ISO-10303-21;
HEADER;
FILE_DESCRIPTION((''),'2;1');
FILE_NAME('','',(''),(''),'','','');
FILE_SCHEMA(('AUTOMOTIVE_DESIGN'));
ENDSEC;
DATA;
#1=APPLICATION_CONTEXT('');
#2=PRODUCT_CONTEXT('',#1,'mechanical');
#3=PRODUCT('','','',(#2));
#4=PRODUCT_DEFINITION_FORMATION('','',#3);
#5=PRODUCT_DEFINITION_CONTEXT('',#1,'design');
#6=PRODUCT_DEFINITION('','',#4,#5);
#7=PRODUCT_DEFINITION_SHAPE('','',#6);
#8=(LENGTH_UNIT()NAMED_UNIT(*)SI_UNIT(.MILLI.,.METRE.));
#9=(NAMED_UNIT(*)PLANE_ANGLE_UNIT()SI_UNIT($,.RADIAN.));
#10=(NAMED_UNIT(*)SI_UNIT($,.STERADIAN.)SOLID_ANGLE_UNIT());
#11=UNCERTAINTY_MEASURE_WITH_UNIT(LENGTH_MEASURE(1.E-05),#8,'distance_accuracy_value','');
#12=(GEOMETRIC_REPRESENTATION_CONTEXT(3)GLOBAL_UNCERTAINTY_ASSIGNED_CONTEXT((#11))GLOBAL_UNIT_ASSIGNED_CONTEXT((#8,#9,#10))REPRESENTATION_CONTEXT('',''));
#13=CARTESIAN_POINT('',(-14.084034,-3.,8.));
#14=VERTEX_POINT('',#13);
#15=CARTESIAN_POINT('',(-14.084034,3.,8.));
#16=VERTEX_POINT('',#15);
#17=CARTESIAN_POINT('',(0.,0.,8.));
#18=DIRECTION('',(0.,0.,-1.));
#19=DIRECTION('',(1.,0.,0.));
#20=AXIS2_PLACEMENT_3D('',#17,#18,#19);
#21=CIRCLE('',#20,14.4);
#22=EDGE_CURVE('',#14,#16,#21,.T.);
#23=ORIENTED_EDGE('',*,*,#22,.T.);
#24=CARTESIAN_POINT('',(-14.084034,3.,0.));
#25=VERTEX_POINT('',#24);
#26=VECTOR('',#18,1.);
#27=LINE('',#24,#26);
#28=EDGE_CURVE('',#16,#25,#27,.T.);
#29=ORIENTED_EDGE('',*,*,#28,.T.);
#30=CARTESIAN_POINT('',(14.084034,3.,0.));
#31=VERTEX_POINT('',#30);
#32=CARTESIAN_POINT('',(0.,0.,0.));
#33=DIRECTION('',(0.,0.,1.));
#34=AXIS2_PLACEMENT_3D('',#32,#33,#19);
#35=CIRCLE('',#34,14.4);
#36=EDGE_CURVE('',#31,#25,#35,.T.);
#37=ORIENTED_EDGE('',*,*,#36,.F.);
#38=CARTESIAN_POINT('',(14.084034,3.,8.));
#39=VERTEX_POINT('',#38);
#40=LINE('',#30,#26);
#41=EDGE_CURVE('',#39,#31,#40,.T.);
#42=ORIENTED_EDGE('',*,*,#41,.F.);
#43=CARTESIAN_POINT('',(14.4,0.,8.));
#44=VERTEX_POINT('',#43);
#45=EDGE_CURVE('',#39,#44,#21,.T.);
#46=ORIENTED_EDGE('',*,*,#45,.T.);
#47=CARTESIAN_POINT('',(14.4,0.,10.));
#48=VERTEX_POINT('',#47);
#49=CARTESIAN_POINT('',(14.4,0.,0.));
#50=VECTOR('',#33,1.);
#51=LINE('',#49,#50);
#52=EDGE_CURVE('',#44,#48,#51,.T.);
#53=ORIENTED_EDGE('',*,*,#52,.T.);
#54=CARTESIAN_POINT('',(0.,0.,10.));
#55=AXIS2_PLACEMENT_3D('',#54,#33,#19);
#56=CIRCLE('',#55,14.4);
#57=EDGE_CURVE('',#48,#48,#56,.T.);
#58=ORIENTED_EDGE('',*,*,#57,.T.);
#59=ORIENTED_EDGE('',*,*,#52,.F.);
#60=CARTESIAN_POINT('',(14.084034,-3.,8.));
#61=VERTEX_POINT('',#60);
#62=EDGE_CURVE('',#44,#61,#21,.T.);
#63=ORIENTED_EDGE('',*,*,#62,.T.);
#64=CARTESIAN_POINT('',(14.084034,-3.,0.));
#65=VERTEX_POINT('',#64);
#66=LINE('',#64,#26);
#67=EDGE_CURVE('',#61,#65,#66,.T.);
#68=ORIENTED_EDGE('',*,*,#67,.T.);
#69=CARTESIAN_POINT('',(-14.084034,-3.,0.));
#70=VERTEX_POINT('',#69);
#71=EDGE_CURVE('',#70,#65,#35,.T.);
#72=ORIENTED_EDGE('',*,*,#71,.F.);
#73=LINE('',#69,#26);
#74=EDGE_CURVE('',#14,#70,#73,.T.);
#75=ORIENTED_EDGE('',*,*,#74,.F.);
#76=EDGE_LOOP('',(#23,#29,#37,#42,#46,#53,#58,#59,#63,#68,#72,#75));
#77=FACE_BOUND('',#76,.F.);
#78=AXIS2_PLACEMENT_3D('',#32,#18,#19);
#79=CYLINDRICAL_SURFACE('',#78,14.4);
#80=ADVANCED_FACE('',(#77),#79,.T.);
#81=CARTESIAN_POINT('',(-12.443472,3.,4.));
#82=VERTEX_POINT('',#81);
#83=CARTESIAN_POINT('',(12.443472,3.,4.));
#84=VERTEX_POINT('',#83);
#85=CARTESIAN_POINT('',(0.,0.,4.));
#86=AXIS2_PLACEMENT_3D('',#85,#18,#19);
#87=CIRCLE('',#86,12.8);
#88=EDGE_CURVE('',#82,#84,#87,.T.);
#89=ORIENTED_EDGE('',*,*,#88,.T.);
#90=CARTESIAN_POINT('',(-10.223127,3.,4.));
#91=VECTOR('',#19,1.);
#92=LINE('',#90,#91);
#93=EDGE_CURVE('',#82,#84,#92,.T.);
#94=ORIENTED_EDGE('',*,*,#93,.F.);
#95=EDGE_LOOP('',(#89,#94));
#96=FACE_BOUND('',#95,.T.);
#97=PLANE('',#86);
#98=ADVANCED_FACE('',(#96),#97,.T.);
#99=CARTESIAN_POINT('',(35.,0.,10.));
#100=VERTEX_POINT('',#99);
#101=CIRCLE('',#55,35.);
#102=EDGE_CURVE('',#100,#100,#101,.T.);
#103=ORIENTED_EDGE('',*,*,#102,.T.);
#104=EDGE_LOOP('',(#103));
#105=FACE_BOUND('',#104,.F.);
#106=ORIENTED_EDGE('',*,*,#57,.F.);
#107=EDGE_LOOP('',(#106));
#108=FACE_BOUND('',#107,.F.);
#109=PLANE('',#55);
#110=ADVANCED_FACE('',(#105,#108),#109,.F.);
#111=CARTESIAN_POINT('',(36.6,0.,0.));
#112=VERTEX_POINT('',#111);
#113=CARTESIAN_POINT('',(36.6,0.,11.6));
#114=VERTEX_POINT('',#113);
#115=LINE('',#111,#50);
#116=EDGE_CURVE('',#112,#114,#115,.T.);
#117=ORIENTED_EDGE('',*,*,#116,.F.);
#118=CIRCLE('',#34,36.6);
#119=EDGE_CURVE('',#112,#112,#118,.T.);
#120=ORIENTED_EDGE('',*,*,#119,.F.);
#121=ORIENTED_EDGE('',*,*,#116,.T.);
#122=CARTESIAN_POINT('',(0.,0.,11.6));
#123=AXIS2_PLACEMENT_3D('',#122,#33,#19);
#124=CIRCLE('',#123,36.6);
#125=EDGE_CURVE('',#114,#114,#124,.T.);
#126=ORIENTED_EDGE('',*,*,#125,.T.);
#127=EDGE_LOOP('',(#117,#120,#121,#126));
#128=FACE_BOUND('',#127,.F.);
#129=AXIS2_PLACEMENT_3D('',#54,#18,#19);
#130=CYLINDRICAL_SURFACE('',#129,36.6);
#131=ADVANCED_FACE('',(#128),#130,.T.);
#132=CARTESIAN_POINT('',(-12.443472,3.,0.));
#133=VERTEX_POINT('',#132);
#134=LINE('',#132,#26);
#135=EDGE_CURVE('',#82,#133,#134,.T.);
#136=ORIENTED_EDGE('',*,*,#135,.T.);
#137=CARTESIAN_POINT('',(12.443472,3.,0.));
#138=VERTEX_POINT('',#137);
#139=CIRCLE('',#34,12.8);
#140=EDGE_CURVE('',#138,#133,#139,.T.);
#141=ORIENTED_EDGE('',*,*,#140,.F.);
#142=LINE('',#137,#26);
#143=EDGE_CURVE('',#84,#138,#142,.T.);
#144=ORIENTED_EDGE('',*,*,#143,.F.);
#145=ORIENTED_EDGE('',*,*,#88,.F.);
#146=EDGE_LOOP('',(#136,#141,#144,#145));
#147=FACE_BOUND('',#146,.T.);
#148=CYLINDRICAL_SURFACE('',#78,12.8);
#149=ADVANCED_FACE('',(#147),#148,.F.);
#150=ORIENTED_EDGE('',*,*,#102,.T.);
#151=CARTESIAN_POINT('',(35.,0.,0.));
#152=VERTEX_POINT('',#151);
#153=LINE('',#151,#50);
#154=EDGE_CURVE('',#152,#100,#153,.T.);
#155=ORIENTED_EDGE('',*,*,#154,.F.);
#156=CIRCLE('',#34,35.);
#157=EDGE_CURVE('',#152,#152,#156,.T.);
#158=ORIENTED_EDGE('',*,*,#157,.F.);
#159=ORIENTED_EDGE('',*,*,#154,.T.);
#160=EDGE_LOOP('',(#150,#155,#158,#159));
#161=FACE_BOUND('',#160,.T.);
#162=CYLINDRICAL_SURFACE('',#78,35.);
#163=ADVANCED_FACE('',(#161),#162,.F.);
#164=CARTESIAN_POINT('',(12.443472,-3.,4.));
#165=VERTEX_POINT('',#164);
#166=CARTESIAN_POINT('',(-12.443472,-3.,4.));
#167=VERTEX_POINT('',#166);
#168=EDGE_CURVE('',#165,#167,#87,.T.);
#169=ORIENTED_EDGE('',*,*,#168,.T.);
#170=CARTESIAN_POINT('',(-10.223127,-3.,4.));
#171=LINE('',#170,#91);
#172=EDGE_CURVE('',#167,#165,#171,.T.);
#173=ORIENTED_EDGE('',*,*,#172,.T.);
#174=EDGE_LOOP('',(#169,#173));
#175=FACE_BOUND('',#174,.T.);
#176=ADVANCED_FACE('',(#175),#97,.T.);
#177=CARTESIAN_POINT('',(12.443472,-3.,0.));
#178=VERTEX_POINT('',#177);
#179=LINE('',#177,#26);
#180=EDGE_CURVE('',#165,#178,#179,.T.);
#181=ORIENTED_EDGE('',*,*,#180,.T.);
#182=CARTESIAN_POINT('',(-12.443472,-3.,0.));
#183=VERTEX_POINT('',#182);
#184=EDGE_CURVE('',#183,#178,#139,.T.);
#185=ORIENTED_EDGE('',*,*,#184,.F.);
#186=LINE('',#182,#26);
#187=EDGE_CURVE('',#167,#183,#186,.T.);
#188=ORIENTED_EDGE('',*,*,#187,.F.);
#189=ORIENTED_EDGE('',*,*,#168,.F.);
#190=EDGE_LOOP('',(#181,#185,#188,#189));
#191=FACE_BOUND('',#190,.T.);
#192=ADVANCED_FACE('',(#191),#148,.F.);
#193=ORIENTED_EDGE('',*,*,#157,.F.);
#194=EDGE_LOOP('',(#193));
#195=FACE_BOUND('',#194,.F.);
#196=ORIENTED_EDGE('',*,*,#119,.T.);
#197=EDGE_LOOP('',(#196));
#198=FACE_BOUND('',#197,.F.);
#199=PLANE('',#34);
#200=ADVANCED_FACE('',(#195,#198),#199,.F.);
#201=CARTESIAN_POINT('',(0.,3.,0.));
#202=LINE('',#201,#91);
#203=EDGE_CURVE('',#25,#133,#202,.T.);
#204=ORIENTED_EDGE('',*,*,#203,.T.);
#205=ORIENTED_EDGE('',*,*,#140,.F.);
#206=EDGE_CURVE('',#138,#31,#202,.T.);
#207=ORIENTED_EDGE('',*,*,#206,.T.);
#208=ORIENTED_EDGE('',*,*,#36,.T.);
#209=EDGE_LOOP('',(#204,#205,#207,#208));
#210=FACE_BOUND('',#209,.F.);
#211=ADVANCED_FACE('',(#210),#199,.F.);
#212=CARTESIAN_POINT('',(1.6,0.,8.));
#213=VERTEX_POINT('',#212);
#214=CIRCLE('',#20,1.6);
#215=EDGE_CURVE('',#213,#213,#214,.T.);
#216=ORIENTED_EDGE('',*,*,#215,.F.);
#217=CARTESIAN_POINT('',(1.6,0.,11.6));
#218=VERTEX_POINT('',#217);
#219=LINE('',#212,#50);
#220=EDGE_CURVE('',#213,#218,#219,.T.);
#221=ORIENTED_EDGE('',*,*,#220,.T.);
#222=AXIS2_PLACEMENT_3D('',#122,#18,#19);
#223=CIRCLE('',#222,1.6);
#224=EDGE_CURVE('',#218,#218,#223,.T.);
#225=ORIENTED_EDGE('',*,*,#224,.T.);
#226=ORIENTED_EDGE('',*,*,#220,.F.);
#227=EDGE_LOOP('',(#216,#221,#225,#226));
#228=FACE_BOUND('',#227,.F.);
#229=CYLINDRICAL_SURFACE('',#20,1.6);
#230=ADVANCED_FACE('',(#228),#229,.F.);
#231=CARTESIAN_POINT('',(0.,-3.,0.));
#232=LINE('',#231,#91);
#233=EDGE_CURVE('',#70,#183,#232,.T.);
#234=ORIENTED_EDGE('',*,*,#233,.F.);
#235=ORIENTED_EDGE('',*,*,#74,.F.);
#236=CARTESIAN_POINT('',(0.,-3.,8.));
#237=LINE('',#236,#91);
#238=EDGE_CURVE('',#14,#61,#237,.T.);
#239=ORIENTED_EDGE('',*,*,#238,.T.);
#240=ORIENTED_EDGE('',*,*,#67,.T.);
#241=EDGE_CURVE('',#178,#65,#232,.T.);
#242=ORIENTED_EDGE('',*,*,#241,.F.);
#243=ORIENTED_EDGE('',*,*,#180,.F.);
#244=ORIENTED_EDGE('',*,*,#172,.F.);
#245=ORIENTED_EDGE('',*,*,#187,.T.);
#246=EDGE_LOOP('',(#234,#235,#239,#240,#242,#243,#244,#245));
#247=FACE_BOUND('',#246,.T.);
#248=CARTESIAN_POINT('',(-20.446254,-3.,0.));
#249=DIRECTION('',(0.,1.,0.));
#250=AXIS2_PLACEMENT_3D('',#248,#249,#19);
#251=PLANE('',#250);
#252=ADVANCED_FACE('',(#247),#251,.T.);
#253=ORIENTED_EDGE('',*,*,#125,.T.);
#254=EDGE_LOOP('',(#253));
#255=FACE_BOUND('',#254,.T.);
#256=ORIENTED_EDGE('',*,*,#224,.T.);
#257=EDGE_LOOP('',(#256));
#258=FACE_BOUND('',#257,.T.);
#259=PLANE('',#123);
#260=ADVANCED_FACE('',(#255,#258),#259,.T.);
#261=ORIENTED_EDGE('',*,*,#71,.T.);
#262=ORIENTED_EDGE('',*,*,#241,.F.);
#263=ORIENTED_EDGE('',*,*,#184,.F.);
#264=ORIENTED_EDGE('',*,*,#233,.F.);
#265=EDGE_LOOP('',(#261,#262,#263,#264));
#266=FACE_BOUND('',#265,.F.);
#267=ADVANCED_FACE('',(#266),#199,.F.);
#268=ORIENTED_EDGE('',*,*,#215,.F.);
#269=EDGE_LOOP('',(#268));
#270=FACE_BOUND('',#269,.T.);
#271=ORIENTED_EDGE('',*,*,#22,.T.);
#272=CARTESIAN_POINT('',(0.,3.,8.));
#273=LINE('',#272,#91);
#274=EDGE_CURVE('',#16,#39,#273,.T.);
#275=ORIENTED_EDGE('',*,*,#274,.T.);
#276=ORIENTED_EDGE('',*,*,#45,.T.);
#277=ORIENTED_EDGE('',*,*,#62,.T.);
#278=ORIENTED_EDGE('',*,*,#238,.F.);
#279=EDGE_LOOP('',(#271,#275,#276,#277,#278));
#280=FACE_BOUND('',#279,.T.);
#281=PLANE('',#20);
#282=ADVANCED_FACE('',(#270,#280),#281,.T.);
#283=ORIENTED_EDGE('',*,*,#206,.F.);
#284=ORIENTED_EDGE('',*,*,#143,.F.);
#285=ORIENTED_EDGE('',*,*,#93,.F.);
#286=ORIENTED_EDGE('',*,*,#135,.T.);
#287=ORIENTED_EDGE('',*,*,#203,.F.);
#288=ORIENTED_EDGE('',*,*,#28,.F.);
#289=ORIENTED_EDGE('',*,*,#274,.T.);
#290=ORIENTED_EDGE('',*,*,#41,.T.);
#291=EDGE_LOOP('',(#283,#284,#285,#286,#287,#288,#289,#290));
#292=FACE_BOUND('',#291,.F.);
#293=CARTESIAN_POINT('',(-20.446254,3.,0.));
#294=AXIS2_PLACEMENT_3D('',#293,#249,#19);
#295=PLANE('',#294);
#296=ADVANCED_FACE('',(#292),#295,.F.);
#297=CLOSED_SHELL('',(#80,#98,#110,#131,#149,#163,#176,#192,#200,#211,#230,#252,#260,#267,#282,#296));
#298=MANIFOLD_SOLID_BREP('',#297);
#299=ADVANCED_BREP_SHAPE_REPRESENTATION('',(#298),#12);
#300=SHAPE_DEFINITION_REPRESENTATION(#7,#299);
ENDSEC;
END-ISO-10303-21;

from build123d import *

# Parameters (mm, degrees)
F0_R     = 36.6
F0_R_2   = 35
F0_R_3   = 14.4
F0_R_4   = 12.8
F1_DEPTH = 10
F2_R     = 36.6
F3_DEPTH = 1.6
F4_R     = 12.8
F5_DEPTH = 6
F6_W     = 40.892508
F6_H     = 6
F7_DEPTH = 8
F8_R     = 1.6
F9_DEPTH = 25


with BuildPart() as f1:
    # F0 (on Top) → F1 (new body)
    with BuildSketch(Plane.XY):
        Circle(F0_R)
        Circle(F0_R_2, mode=Mode.SUBTRACT)
        Circle(F0_R_3)
        Circle(F0_R_4, mode=Mode.SUBTRACT)
    extrude(amount=F1_DEPTH)

    # F2 (on face) → F3 (join)
    with BuildSketch(Plane.XY.offset(10)):
        Circle(F2_R)
    extrude(amount=F3_DEPTH)

    # F4 (on face) → F5 (join)
    with BuildSketch(Plane(origin=(0, 0, 10), x_dir=(1, 0, 0), z_dir=(0, 0, -1))):
        Circle(F4_R)
    extrude(amount=F5_DEPTH)

    # F6 (on face) → F7 (cut)
    with BuildSketch(Plane(origin=(0, 0, 0), x_dir=(1, 0, 0), z_dir=(0, 0, -1))):
        Rectangle(F6_W, F6_H)
    extrude(amount=-F7_DEPTH, mode=Mode.SUBTRACT)

    # F8 (on face) → F9 (cut)
    with BuildSketch(Plane(origin=(0, 0, 8), x_dir=(1, 0, 0), z_dir=(0, 0, -1))):
        Circle(F8_R)
    extrude(amount=-F9_DEPTH, mode=Mode.SUBTRACT)


solid = f1.part
